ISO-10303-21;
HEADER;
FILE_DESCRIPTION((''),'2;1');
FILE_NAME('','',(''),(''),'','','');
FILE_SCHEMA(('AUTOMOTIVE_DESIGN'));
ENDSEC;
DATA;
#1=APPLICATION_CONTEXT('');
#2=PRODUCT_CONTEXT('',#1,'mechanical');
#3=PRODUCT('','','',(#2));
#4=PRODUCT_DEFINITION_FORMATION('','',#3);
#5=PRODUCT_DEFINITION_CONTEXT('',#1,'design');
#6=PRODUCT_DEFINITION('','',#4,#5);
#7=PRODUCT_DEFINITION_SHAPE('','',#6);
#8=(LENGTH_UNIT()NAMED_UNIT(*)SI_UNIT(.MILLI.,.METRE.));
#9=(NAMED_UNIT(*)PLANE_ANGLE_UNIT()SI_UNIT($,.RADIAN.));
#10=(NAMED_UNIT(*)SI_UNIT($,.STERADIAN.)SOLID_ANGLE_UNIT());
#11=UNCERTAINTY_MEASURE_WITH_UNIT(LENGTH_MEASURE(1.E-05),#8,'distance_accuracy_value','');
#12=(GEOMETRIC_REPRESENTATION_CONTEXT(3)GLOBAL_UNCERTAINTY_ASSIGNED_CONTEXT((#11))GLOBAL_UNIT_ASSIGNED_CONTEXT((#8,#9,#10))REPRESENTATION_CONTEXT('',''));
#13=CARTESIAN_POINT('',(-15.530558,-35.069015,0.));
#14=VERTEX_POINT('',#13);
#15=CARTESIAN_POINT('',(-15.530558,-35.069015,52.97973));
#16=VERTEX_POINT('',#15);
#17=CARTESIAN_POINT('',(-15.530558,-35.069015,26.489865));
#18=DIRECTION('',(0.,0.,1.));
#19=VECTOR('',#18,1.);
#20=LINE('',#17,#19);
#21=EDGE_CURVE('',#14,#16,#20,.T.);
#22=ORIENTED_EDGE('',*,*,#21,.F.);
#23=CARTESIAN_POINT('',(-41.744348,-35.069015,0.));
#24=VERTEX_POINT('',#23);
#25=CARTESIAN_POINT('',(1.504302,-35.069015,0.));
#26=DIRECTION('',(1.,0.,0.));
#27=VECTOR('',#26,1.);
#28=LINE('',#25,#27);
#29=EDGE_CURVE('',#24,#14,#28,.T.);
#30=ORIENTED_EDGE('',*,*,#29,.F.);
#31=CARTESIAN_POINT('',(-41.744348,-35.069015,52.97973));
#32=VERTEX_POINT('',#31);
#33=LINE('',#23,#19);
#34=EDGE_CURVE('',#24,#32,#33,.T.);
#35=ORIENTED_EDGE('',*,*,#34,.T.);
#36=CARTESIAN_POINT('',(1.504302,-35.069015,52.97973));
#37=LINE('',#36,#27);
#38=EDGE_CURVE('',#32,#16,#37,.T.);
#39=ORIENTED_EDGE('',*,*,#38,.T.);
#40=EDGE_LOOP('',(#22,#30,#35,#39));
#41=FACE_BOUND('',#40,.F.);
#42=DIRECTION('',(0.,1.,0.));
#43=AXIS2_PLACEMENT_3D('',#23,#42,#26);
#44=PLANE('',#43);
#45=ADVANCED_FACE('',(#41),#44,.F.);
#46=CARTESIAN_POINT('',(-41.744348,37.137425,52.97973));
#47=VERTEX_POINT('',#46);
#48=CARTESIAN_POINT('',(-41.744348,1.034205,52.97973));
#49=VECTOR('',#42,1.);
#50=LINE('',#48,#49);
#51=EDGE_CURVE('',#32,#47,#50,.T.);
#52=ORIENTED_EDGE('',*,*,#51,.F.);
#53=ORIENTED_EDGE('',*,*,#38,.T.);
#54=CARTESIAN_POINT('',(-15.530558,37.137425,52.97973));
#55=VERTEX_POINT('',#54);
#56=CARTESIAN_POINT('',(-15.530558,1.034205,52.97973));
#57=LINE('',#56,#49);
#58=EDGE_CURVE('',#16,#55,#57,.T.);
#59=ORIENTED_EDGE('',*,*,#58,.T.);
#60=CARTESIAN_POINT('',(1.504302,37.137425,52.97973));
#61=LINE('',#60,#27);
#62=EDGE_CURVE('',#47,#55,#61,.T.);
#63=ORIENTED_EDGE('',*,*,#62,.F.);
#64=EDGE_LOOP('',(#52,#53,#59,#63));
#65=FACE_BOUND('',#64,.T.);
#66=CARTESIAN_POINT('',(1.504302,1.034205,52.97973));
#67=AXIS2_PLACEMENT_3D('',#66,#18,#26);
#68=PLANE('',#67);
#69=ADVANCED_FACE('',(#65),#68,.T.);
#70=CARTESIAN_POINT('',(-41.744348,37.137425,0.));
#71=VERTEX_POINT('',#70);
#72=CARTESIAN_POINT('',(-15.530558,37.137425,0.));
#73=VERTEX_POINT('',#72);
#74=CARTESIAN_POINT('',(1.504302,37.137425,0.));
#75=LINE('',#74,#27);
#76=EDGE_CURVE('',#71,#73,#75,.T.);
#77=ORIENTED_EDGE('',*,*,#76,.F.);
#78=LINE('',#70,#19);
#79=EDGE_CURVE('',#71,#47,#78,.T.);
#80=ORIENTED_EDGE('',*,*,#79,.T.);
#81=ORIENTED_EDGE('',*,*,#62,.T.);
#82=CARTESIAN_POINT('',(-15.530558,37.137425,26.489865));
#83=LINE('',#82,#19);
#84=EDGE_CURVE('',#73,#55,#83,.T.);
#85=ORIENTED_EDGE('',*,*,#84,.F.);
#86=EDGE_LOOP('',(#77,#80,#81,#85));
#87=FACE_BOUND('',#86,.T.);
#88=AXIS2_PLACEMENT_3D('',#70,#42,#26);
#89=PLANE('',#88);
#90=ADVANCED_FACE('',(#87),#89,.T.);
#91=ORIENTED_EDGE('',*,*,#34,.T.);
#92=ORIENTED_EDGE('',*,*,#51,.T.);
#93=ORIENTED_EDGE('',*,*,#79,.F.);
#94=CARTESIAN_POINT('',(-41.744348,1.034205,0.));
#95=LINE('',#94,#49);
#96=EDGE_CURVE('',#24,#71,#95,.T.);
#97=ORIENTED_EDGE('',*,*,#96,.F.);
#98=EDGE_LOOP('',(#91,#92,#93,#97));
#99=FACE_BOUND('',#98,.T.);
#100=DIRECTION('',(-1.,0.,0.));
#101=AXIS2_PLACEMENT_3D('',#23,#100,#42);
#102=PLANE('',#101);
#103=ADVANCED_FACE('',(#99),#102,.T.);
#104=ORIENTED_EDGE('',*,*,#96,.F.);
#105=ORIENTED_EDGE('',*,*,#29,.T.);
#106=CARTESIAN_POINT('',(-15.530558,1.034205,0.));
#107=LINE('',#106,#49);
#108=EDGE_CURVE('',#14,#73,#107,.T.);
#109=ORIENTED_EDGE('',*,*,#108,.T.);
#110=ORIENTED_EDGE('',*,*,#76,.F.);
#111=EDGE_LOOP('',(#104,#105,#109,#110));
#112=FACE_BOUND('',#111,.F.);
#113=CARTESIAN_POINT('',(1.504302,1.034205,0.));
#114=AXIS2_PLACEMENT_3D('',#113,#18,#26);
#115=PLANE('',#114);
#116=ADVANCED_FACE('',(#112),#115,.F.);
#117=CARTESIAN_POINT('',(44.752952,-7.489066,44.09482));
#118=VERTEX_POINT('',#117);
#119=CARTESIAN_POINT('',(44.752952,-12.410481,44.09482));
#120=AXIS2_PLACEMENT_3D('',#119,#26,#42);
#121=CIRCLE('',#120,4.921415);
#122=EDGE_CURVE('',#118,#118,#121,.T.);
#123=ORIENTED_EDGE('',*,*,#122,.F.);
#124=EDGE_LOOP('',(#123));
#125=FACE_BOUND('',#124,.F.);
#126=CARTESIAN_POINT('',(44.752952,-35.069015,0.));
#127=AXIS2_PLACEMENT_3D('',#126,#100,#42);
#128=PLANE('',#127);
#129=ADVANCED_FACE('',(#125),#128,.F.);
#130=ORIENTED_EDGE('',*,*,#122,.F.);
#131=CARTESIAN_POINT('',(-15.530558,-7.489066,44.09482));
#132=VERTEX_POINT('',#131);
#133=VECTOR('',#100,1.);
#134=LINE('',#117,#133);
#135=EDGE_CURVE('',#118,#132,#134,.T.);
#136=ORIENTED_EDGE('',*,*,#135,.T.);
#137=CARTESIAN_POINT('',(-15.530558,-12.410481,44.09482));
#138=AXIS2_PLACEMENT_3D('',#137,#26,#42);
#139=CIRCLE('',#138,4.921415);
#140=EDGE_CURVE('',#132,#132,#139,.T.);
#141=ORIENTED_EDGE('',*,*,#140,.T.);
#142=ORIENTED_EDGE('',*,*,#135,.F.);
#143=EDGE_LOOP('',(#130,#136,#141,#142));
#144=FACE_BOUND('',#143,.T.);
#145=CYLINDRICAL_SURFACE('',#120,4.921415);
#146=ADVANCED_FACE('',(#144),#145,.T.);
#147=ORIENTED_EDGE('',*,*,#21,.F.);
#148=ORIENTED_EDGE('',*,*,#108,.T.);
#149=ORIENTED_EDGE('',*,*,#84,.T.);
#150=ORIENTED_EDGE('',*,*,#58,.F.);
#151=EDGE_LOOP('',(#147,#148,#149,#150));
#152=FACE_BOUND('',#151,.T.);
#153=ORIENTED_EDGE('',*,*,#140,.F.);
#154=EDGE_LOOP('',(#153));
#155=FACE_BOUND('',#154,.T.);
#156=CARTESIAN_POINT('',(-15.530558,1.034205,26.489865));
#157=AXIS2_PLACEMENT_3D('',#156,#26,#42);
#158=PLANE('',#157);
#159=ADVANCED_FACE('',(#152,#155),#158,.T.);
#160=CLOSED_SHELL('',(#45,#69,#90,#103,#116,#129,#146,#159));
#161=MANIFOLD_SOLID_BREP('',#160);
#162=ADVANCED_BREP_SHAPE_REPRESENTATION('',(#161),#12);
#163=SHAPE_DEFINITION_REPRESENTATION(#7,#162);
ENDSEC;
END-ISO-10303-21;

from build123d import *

# Parameters (mm, degrees)
F0_W     = 86.4973
F0_H     = 72.206441
F1_DEPTH = 52.97973
F2_W     = 72.206441
F2_H     = 52.97973
F2_R     = 4.921415
F3_DEPTH = 60.28351


with BuildPart() as f1:
    # F0 (on Top) → F1 (new body)
    with BuildSketch(Plane.XY):
        with Locations((1.504302, 1.034205)):
            Rectangle(F0_W, F0_H)
    extrude(amount=F1_DEPTH)

    # F2 (on face) → F3 (cut)
    with BuildSketch(Plane.YZ.offset(44.752952)):
        with Locations((1.034205, 26.489865)):
            Rectangle(F2_W, F2_H)
        with Locations((-12.410481, 44.09482)):
            Circle(F2_R, mode=Mode.SUBTRACT)
    extrude(amount=-F3_DEPTH, mode=Mode.SUBTRACT)


solid = f1.part
